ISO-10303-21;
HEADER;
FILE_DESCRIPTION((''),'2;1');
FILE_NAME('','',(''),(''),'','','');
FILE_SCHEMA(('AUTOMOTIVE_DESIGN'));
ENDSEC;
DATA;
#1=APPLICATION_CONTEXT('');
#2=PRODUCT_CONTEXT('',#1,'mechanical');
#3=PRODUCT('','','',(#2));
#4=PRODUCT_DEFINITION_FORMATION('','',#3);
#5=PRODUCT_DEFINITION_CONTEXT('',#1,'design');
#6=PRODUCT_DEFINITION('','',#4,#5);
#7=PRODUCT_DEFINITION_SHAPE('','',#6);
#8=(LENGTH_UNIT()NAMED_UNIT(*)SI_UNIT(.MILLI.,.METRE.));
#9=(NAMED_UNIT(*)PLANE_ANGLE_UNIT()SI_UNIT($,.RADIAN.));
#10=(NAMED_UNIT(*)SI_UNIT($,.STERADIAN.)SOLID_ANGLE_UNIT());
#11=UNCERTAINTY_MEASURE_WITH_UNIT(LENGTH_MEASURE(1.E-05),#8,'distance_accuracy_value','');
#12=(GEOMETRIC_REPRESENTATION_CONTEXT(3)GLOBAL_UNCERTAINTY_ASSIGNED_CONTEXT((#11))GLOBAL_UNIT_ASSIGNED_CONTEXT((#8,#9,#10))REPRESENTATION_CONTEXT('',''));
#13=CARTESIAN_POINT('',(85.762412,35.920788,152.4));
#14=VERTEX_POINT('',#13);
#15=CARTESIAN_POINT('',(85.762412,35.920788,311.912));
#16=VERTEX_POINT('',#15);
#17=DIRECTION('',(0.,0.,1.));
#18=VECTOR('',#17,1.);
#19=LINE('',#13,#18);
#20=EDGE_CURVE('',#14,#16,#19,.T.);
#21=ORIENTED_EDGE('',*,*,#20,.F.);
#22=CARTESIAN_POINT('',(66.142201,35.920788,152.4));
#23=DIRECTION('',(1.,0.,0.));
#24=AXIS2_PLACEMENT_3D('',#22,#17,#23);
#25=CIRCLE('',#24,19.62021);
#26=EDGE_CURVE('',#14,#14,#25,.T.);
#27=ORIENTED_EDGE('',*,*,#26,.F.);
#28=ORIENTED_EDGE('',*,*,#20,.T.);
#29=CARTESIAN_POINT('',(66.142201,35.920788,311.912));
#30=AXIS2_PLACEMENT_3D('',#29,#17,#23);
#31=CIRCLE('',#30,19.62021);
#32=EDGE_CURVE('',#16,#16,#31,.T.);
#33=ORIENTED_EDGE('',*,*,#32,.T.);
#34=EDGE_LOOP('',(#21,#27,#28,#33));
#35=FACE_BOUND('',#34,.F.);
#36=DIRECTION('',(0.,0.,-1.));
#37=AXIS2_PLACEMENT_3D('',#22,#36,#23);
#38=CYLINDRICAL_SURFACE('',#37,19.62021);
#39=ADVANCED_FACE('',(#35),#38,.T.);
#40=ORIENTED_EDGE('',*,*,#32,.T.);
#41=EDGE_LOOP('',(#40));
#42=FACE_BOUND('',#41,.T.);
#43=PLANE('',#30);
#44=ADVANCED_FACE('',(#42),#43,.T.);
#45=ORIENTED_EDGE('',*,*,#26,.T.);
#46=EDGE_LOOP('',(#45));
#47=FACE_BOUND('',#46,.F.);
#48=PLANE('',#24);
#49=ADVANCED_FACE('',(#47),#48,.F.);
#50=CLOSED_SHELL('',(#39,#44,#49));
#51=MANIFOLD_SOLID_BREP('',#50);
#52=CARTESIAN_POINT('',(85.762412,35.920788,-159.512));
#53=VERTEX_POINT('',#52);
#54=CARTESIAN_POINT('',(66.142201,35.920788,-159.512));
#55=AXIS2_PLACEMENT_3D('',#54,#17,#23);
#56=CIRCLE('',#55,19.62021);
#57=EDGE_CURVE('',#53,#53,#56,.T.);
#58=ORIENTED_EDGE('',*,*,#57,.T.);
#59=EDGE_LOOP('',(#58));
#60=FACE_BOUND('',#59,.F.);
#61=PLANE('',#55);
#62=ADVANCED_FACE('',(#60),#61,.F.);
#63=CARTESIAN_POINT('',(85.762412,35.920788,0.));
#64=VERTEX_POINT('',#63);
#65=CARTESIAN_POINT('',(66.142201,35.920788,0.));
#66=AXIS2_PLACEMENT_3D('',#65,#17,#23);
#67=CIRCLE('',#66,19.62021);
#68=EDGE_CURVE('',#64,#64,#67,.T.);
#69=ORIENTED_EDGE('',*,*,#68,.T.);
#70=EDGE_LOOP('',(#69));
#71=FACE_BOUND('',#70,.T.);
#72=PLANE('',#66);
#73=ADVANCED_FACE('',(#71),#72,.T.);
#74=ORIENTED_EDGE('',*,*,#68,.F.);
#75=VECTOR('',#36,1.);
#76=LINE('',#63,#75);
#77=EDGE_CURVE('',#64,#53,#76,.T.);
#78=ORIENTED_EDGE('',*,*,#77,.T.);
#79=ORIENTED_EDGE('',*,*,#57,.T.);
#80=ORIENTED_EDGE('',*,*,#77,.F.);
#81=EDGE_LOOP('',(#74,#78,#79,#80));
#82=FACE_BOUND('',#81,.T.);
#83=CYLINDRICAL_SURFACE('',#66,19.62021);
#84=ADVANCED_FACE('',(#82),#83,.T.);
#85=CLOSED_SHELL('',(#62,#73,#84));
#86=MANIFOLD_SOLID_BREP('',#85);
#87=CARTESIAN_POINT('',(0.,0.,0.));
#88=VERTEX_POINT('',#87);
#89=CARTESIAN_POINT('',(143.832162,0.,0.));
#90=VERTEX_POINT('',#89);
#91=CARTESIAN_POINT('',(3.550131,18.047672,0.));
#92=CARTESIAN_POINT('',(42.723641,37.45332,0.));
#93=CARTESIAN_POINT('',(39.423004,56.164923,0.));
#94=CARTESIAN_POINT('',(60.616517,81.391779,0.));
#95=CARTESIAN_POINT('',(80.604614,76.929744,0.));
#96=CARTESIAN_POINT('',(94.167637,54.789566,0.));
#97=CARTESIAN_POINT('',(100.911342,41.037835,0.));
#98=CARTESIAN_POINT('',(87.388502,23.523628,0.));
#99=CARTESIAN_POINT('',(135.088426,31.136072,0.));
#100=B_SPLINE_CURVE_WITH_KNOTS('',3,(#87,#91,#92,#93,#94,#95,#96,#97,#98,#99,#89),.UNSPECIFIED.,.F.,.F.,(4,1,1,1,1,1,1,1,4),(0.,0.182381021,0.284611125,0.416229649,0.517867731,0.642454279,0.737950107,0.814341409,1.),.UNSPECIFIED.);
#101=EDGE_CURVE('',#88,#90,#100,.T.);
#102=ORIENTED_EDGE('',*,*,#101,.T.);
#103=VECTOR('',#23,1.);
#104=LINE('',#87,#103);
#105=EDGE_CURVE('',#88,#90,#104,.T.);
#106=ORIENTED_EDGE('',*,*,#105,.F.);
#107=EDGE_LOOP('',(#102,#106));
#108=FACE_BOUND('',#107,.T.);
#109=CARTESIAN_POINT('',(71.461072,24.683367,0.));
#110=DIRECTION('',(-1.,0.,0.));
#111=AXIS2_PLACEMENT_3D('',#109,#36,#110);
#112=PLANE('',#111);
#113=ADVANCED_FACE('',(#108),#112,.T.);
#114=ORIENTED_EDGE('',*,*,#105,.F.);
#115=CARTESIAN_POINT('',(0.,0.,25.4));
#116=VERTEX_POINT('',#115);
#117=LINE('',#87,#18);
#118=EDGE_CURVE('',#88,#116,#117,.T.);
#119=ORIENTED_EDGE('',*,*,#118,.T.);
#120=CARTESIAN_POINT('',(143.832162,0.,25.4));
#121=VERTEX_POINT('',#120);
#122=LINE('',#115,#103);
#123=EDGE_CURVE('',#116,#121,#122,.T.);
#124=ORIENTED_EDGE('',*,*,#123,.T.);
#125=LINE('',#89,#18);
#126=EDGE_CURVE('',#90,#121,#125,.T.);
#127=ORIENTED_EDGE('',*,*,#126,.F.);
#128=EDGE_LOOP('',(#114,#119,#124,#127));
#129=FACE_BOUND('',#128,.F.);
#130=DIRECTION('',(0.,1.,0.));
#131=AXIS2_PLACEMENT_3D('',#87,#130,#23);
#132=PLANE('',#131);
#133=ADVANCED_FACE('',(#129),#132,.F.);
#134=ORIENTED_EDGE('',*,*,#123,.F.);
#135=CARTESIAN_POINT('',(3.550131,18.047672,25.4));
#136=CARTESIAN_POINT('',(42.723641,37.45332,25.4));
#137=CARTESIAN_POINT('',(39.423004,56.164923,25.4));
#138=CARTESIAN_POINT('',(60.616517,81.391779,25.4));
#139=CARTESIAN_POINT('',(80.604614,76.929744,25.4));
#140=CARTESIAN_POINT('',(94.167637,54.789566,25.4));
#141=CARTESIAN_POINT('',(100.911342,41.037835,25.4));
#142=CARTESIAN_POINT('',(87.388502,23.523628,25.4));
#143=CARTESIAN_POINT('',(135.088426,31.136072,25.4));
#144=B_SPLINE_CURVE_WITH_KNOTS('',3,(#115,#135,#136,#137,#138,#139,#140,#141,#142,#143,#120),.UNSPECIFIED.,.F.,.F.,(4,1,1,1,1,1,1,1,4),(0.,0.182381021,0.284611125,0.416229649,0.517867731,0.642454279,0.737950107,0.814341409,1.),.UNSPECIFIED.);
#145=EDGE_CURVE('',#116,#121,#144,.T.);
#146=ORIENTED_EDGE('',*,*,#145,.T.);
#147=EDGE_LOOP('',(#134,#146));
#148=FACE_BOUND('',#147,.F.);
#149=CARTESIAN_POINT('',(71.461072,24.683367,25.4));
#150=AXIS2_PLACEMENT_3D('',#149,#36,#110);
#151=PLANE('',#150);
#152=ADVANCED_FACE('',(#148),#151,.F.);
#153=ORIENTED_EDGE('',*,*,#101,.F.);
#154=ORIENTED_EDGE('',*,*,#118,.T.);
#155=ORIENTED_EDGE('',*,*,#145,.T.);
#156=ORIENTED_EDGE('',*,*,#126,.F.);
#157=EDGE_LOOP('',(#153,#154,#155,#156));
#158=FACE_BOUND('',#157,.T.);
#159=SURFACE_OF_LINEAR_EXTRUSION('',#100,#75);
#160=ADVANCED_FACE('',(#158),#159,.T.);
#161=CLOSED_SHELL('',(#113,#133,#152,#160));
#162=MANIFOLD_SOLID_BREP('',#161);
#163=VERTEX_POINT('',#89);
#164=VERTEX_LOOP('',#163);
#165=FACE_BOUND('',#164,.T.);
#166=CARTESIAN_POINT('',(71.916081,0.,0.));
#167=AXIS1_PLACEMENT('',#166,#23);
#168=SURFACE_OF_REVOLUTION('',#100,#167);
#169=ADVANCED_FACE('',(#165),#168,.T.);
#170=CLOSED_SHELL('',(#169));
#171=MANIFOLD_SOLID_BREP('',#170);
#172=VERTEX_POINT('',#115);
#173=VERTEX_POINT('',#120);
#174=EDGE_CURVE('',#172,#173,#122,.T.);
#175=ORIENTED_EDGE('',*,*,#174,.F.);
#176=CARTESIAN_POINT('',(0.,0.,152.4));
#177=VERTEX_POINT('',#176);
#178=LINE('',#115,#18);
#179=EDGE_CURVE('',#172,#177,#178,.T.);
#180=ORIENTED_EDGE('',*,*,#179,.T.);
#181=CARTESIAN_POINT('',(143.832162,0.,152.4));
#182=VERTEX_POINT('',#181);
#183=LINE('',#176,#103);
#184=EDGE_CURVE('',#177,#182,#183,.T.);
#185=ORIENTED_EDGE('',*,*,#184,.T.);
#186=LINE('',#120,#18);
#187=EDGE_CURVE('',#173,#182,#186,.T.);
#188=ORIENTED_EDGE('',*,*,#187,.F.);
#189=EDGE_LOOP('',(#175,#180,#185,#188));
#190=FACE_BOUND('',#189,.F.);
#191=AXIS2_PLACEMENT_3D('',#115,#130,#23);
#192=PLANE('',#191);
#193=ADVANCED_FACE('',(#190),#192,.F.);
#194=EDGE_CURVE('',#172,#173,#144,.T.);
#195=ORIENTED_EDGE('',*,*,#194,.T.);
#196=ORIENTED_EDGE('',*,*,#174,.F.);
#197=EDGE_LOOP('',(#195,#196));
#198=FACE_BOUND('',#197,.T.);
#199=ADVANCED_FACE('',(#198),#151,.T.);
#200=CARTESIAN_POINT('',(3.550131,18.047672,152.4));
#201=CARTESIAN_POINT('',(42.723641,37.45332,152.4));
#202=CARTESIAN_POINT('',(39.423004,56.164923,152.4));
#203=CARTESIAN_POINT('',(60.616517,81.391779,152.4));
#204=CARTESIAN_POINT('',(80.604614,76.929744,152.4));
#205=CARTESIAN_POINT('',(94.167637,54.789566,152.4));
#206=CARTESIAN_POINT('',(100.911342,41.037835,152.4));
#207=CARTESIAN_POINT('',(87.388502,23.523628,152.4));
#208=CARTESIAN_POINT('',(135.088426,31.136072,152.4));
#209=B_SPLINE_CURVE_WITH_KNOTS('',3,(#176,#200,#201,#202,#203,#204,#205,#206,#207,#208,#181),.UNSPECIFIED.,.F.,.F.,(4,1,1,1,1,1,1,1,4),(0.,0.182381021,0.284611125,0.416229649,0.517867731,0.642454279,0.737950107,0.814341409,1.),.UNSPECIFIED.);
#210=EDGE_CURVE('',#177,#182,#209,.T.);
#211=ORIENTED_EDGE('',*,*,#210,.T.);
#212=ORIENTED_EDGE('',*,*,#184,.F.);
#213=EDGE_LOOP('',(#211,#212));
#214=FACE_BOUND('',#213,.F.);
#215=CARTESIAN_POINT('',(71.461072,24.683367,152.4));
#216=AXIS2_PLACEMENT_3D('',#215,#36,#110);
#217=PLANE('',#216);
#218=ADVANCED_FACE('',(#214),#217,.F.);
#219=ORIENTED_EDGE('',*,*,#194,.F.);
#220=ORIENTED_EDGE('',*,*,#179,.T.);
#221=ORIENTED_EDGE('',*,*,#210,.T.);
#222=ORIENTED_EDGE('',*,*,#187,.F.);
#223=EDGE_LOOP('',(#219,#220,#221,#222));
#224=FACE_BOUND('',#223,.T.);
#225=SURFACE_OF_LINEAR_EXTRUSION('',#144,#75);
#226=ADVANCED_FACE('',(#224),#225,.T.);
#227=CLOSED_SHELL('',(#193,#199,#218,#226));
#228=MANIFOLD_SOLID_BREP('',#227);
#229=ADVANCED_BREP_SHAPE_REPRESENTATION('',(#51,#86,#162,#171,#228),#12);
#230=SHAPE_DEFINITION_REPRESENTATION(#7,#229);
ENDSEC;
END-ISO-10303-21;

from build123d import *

# Parameters (mm, degrees)
F2_DEPTH = 25.4
F3_DEPTH = 127
F4_R     = 19.6202101609
F5_DEPTH = 159.512
F6_R     = 19.6202101609
F7_DEPTH = 159.512


with BuildPart() as f1:
    # F0 (on Top) → F1 (revolve)
    with BuildSketch(Plane.XY):
        with BuildLine():
            add(Edge.make_bspline(
                [(0, 0), (3.5501314016, 18.0476722556), (42.7236408237, 37.4533200441), (39.4230041579, 56.164923379), (60.6165168932, 81.3917788309), (80.6046142674, 76.9297444967), (94.1676365579, 54.7895663448), (100.9113423152, 41.037834886), (87.3885019004, 23.5236277202), (135.0884259707, 31.1360718559), (143.8321617332, 0)],
                knots=[0, 0, 0, 0, 0.1823810213, 0.2846111247, 0.4162296489, 0.5178677307, 0.6424542789, 0.7379501065, 0.8143414089, 1, 1, 1, 1], degree=3))
            Line((0, 0), (143.8321617332, 0))
        make_face()
    revolve(axis=Axis((71.9160808666, 0, 0), (1, 0, 0)))


with BuildPart() as f2:
    # F0 (on Top) → F2 (new body)
    with BuildSketch(Plane.XY):
        with BuildLine():
            add(Edge.make_bspline(
                [(0, 0), (3.5501314016, 18.0476722556), (42.7236408237, 37.4533200441), (39.4230041579, 56.164923379), (60.6165168932, 81.3917788309), (80.6046142674, 76.9297444967), (94.1676365579, 54.7895663448), (100.9113423152, 41.037834886), (87.3885019004, 23.5236277202), (135.0884259707, 31.1360718559), (143.8321617332, 0)],
                knots=[0, 0, 0, 0, 0.1823810213, 0.2846111247, 0.4162296489, 0.5178677307, 0.6424542789, 0.7379501065, 0.8143414089, 1, 1, 1, 1], degree=3))
            Line((0, 0), (143.8321617332, 0))
        make_face()
    extrude(amount=F2_DEPTH)


with BuildPart() as f3:
    # F3 (new): a face of the model
    f3_faces = [f2.part.faces().sort_by_distance(p)[0] for p in [
        (69.3510613027, 27.704333896, 25.4),
    ]]
    extrude(f3_faces, amount=F3_DEPTH)


with BuildPart() as f5:
    # F4 (on face) → F5 (new body)
    with BuildSketch(Plane.XY.offset(152.4)):
        with Locations((66.1422014236, 35.9207876027)):
            Circle(F4_R)
    extrude(amount=F5_DEPTH)


with BuildPart() as f7:
    # F6 (on Top) → F7 (new body)
    with BuildSketch(Plane.XY):
        with Locations((66.1422014236, 35.9207876027)):
            Circle(F6_R)
    extrude(amount=-F7_DEPTH)


solid = Compound([f1.part, f2.part, f3.part, f5.part, f7.part])
